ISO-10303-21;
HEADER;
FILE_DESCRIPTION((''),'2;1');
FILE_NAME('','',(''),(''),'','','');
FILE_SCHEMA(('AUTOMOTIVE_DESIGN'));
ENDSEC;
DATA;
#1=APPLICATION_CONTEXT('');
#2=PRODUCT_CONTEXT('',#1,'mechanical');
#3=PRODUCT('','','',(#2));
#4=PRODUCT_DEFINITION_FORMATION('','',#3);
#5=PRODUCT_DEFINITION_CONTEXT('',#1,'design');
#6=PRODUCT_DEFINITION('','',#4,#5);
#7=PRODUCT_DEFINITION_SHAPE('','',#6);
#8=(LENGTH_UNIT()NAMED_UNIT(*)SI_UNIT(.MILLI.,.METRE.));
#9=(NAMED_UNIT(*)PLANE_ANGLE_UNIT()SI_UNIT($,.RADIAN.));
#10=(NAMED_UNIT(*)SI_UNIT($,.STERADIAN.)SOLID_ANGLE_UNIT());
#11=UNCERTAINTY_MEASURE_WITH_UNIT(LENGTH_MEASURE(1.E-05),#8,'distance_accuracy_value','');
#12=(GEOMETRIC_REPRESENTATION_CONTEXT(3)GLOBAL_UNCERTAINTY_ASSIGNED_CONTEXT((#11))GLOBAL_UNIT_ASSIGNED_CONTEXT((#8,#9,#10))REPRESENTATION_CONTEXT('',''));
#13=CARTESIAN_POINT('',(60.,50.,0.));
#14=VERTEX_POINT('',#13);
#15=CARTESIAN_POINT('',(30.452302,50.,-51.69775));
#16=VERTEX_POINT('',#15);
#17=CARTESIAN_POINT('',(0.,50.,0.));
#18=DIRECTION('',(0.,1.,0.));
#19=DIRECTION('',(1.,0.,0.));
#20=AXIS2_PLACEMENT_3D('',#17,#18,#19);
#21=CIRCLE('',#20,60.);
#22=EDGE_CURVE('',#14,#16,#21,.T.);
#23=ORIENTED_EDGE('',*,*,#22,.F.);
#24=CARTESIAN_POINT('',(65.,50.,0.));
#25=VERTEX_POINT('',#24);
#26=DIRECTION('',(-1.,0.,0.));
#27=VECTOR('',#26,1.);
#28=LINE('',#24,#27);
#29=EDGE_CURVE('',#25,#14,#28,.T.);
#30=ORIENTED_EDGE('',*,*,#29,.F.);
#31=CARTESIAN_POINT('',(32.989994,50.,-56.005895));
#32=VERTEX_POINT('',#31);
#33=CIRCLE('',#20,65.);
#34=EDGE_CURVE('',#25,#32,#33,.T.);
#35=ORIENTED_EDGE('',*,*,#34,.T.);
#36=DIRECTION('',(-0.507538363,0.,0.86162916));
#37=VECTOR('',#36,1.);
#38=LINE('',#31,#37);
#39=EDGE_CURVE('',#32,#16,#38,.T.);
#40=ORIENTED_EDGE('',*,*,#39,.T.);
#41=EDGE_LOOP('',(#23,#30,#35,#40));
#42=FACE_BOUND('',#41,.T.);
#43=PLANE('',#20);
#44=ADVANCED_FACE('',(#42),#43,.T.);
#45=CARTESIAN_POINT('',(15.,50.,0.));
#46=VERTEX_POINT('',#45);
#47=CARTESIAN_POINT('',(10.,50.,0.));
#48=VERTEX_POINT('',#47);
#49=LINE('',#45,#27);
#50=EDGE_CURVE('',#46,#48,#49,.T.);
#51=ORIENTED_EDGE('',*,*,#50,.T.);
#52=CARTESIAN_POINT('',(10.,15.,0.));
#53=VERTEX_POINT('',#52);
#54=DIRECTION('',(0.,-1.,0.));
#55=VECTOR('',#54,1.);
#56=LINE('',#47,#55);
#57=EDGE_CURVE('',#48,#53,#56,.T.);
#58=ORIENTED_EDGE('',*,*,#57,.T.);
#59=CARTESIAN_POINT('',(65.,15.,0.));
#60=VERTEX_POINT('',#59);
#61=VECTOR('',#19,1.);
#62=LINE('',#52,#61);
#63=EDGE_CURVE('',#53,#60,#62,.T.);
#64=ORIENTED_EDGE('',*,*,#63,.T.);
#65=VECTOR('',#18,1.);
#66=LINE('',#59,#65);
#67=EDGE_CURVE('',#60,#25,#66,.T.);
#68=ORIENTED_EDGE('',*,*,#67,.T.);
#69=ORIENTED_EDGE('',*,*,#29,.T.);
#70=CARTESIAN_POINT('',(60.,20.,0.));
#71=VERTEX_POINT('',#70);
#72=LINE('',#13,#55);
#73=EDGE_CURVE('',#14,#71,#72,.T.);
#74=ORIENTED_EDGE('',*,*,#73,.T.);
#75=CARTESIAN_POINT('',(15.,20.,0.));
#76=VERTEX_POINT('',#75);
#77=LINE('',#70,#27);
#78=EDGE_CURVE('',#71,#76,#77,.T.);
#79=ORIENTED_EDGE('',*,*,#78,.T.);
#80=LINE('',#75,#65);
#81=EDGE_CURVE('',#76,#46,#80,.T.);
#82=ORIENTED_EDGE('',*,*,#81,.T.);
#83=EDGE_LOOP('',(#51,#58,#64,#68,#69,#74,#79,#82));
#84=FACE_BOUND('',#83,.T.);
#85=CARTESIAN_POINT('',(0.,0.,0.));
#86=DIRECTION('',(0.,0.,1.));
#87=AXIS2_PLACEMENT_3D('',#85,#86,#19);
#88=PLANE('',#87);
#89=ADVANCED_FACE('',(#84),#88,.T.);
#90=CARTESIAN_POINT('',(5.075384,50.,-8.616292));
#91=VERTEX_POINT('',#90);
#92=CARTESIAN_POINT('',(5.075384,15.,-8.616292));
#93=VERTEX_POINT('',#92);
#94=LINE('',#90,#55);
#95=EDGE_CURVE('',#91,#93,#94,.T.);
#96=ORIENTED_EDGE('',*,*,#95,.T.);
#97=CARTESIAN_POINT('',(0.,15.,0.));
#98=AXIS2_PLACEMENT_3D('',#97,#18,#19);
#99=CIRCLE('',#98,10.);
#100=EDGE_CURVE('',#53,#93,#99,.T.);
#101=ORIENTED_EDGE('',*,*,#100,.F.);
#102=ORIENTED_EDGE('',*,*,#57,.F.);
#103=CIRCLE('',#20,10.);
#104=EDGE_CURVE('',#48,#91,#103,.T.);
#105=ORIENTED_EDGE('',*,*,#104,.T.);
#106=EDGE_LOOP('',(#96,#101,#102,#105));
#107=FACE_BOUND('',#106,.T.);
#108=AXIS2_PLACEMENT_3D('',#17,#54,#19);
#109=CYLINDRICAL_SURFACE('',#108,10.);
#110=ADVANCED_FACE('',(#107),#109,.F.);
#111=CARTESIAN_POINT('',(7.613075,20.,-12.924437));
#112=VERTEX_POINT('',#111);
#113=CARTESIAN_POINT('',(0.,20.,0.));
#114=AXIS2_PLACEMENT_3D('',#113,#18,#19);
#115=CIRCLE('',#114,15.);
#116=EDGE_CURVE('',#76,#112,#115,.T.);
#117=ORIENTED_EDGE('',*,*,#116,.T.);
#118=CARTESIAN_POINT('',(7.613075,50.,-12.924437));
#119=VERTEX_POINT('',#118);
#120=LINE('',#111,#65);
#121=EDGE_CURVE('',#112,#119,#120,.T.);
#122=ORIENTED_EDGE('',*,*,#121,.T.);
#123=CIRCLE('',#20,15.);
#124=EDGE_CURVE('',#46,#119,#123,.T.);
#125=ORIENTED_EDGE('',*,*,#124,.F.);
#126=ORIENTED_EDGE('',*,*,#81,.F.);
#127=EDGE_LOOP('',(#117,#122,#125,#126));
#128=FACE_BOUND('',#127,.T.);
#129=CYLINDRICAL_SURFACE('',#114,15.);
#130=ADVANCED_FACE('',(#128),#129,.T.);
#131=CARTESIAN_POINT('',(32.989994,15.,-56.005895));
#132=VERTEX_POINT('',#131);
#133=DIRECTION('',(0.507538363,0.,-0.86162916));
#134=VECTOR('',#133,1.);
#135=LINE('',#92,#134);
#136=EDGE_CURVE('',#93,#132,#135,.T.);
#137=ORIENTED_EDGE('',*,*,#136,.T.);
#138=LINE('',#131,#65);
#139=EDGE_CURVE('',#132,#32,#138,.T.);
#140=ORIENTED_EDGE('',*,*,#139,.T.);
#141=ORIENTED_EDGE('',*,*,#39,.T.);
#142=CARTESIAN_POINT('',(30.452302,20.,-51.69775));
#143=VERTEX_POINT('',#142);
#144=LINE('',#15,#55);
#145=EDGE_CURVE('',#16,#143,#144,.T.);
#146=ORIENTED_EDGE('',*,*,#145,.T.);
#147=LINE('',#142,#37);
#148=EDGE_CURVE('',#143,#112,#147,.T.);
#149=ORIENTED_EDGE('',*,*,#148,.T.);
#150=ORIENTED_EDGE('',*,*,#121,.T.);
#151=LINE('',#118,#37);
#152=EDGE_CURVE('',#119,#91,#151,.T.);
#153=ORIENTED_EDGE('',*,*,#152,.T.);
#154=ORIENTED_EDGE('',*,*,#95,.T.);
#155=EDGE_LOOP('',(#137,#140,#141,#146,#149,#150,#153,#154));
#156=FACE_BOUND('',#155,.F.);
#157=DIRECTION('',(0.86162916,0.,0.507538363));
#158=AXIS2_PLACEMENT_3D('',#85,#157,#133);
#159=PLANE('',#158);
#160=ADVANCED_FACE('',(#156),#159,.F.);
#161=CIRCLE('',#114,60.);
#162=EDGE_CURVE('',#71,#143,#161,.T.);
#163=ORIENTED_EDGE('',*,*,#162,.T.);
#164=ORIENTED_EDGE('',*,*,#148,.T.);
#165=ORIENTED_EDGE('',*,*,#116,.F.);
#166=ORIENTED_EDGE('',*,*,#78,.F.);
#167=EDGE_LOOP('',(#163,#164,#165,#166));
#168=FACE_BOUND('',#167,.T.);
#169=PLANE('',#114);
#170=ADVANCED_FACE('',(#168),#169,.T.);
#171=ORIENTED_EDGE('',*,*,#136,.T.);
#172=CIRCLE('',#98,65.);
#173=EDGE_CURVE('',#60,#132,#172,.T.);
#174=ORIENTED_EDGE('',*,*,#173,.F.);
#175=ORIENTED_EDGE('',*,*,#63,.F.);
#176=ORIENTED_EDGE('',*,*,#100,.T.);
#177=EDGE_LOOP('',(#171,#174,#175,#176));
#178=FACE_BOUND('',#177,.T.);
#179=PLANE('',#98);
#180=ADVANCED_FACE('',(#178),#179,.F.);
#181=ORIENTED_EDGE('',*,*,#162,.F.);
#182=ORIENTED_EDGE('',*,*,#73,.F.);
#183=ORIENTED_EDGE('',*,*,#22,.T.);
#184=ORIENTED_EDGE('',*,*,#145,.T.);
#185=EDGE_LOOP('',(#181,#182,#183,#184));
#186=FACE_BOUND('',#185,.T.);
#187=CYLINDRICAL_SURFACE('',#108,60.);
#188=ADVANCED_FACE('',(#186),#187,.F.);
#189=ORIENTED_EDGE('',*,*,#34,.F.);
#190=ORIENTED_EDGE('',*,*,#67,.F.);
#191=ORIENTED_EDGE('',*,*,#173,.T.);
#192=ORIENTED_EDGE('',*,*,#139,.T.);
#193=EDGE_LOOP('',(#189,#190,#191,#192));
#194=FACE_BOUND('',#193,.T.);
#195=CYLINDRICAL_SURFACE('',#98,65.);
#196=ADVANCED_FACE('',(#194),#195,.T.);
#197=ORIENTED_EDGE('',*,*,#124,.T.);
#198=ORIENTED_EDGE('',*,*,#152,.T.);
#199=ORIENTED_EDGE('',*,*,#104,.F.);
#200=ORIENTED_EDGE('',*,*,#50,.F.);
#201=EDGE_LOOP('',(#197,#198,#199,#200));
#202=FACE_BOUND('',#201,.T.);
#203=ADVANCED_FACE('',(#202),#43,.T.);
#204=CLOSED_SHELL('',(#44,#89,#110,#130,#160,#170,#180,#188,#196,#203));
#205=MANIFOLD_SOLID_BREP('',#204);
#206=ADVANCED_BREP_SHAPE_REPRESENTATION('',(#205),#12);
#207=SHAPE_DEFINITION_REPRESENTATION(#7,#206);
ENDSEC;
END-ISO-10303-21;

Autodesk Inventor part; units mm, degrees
ref_plane "YZ Plane" through (0, 0, 0) normal (1, 0, 0) x (0, 1, 0)
ref_plane "XZ Plane" through (0, 0, 0) normal (0, 1, 0) x (-1, 0, 0)
ref_plane "XY Plane" through (0, 0, 0) normal (0, 0, 1) x (1, 0, 0)
sketch "Sketch1" plane through (0, 0, 0) normal (0, 0, 1) x (1, 0, 0)
  line L0 (0, 0) -> (0, 50) construction
  line L1 (0, 50) -> (10, 50) construction
  line L2 (10, 50) -> (10, 15)
  line L3 (10, 15) -> (65, 15)
  line L4 (65, 15) -> (65, 50)
  line L5 (65, 50) -> (60, 50)
  line L6 (60, 50) -> (60, 20)
  line L7 (60, 20) -> (15, 20)
  line L8 (15, 20) -> (15, 50)
  line L9 (15, 50) -> (10, 50)
  dimension "d0" = 50
  dimension "d1" = 10
  dimension "d2" = 35
  dimension "d3" = 55
  dimension "d4" = 35
  dimension "d5" = 5
  dimension "d6" = 30
  dimension "d7" = 45
revolve "Revolution1" add sketch "Sketch1" angle 59.5 about axis through (0, 0, 0) along (0, 1, 0)
properties part number "track z1906"
